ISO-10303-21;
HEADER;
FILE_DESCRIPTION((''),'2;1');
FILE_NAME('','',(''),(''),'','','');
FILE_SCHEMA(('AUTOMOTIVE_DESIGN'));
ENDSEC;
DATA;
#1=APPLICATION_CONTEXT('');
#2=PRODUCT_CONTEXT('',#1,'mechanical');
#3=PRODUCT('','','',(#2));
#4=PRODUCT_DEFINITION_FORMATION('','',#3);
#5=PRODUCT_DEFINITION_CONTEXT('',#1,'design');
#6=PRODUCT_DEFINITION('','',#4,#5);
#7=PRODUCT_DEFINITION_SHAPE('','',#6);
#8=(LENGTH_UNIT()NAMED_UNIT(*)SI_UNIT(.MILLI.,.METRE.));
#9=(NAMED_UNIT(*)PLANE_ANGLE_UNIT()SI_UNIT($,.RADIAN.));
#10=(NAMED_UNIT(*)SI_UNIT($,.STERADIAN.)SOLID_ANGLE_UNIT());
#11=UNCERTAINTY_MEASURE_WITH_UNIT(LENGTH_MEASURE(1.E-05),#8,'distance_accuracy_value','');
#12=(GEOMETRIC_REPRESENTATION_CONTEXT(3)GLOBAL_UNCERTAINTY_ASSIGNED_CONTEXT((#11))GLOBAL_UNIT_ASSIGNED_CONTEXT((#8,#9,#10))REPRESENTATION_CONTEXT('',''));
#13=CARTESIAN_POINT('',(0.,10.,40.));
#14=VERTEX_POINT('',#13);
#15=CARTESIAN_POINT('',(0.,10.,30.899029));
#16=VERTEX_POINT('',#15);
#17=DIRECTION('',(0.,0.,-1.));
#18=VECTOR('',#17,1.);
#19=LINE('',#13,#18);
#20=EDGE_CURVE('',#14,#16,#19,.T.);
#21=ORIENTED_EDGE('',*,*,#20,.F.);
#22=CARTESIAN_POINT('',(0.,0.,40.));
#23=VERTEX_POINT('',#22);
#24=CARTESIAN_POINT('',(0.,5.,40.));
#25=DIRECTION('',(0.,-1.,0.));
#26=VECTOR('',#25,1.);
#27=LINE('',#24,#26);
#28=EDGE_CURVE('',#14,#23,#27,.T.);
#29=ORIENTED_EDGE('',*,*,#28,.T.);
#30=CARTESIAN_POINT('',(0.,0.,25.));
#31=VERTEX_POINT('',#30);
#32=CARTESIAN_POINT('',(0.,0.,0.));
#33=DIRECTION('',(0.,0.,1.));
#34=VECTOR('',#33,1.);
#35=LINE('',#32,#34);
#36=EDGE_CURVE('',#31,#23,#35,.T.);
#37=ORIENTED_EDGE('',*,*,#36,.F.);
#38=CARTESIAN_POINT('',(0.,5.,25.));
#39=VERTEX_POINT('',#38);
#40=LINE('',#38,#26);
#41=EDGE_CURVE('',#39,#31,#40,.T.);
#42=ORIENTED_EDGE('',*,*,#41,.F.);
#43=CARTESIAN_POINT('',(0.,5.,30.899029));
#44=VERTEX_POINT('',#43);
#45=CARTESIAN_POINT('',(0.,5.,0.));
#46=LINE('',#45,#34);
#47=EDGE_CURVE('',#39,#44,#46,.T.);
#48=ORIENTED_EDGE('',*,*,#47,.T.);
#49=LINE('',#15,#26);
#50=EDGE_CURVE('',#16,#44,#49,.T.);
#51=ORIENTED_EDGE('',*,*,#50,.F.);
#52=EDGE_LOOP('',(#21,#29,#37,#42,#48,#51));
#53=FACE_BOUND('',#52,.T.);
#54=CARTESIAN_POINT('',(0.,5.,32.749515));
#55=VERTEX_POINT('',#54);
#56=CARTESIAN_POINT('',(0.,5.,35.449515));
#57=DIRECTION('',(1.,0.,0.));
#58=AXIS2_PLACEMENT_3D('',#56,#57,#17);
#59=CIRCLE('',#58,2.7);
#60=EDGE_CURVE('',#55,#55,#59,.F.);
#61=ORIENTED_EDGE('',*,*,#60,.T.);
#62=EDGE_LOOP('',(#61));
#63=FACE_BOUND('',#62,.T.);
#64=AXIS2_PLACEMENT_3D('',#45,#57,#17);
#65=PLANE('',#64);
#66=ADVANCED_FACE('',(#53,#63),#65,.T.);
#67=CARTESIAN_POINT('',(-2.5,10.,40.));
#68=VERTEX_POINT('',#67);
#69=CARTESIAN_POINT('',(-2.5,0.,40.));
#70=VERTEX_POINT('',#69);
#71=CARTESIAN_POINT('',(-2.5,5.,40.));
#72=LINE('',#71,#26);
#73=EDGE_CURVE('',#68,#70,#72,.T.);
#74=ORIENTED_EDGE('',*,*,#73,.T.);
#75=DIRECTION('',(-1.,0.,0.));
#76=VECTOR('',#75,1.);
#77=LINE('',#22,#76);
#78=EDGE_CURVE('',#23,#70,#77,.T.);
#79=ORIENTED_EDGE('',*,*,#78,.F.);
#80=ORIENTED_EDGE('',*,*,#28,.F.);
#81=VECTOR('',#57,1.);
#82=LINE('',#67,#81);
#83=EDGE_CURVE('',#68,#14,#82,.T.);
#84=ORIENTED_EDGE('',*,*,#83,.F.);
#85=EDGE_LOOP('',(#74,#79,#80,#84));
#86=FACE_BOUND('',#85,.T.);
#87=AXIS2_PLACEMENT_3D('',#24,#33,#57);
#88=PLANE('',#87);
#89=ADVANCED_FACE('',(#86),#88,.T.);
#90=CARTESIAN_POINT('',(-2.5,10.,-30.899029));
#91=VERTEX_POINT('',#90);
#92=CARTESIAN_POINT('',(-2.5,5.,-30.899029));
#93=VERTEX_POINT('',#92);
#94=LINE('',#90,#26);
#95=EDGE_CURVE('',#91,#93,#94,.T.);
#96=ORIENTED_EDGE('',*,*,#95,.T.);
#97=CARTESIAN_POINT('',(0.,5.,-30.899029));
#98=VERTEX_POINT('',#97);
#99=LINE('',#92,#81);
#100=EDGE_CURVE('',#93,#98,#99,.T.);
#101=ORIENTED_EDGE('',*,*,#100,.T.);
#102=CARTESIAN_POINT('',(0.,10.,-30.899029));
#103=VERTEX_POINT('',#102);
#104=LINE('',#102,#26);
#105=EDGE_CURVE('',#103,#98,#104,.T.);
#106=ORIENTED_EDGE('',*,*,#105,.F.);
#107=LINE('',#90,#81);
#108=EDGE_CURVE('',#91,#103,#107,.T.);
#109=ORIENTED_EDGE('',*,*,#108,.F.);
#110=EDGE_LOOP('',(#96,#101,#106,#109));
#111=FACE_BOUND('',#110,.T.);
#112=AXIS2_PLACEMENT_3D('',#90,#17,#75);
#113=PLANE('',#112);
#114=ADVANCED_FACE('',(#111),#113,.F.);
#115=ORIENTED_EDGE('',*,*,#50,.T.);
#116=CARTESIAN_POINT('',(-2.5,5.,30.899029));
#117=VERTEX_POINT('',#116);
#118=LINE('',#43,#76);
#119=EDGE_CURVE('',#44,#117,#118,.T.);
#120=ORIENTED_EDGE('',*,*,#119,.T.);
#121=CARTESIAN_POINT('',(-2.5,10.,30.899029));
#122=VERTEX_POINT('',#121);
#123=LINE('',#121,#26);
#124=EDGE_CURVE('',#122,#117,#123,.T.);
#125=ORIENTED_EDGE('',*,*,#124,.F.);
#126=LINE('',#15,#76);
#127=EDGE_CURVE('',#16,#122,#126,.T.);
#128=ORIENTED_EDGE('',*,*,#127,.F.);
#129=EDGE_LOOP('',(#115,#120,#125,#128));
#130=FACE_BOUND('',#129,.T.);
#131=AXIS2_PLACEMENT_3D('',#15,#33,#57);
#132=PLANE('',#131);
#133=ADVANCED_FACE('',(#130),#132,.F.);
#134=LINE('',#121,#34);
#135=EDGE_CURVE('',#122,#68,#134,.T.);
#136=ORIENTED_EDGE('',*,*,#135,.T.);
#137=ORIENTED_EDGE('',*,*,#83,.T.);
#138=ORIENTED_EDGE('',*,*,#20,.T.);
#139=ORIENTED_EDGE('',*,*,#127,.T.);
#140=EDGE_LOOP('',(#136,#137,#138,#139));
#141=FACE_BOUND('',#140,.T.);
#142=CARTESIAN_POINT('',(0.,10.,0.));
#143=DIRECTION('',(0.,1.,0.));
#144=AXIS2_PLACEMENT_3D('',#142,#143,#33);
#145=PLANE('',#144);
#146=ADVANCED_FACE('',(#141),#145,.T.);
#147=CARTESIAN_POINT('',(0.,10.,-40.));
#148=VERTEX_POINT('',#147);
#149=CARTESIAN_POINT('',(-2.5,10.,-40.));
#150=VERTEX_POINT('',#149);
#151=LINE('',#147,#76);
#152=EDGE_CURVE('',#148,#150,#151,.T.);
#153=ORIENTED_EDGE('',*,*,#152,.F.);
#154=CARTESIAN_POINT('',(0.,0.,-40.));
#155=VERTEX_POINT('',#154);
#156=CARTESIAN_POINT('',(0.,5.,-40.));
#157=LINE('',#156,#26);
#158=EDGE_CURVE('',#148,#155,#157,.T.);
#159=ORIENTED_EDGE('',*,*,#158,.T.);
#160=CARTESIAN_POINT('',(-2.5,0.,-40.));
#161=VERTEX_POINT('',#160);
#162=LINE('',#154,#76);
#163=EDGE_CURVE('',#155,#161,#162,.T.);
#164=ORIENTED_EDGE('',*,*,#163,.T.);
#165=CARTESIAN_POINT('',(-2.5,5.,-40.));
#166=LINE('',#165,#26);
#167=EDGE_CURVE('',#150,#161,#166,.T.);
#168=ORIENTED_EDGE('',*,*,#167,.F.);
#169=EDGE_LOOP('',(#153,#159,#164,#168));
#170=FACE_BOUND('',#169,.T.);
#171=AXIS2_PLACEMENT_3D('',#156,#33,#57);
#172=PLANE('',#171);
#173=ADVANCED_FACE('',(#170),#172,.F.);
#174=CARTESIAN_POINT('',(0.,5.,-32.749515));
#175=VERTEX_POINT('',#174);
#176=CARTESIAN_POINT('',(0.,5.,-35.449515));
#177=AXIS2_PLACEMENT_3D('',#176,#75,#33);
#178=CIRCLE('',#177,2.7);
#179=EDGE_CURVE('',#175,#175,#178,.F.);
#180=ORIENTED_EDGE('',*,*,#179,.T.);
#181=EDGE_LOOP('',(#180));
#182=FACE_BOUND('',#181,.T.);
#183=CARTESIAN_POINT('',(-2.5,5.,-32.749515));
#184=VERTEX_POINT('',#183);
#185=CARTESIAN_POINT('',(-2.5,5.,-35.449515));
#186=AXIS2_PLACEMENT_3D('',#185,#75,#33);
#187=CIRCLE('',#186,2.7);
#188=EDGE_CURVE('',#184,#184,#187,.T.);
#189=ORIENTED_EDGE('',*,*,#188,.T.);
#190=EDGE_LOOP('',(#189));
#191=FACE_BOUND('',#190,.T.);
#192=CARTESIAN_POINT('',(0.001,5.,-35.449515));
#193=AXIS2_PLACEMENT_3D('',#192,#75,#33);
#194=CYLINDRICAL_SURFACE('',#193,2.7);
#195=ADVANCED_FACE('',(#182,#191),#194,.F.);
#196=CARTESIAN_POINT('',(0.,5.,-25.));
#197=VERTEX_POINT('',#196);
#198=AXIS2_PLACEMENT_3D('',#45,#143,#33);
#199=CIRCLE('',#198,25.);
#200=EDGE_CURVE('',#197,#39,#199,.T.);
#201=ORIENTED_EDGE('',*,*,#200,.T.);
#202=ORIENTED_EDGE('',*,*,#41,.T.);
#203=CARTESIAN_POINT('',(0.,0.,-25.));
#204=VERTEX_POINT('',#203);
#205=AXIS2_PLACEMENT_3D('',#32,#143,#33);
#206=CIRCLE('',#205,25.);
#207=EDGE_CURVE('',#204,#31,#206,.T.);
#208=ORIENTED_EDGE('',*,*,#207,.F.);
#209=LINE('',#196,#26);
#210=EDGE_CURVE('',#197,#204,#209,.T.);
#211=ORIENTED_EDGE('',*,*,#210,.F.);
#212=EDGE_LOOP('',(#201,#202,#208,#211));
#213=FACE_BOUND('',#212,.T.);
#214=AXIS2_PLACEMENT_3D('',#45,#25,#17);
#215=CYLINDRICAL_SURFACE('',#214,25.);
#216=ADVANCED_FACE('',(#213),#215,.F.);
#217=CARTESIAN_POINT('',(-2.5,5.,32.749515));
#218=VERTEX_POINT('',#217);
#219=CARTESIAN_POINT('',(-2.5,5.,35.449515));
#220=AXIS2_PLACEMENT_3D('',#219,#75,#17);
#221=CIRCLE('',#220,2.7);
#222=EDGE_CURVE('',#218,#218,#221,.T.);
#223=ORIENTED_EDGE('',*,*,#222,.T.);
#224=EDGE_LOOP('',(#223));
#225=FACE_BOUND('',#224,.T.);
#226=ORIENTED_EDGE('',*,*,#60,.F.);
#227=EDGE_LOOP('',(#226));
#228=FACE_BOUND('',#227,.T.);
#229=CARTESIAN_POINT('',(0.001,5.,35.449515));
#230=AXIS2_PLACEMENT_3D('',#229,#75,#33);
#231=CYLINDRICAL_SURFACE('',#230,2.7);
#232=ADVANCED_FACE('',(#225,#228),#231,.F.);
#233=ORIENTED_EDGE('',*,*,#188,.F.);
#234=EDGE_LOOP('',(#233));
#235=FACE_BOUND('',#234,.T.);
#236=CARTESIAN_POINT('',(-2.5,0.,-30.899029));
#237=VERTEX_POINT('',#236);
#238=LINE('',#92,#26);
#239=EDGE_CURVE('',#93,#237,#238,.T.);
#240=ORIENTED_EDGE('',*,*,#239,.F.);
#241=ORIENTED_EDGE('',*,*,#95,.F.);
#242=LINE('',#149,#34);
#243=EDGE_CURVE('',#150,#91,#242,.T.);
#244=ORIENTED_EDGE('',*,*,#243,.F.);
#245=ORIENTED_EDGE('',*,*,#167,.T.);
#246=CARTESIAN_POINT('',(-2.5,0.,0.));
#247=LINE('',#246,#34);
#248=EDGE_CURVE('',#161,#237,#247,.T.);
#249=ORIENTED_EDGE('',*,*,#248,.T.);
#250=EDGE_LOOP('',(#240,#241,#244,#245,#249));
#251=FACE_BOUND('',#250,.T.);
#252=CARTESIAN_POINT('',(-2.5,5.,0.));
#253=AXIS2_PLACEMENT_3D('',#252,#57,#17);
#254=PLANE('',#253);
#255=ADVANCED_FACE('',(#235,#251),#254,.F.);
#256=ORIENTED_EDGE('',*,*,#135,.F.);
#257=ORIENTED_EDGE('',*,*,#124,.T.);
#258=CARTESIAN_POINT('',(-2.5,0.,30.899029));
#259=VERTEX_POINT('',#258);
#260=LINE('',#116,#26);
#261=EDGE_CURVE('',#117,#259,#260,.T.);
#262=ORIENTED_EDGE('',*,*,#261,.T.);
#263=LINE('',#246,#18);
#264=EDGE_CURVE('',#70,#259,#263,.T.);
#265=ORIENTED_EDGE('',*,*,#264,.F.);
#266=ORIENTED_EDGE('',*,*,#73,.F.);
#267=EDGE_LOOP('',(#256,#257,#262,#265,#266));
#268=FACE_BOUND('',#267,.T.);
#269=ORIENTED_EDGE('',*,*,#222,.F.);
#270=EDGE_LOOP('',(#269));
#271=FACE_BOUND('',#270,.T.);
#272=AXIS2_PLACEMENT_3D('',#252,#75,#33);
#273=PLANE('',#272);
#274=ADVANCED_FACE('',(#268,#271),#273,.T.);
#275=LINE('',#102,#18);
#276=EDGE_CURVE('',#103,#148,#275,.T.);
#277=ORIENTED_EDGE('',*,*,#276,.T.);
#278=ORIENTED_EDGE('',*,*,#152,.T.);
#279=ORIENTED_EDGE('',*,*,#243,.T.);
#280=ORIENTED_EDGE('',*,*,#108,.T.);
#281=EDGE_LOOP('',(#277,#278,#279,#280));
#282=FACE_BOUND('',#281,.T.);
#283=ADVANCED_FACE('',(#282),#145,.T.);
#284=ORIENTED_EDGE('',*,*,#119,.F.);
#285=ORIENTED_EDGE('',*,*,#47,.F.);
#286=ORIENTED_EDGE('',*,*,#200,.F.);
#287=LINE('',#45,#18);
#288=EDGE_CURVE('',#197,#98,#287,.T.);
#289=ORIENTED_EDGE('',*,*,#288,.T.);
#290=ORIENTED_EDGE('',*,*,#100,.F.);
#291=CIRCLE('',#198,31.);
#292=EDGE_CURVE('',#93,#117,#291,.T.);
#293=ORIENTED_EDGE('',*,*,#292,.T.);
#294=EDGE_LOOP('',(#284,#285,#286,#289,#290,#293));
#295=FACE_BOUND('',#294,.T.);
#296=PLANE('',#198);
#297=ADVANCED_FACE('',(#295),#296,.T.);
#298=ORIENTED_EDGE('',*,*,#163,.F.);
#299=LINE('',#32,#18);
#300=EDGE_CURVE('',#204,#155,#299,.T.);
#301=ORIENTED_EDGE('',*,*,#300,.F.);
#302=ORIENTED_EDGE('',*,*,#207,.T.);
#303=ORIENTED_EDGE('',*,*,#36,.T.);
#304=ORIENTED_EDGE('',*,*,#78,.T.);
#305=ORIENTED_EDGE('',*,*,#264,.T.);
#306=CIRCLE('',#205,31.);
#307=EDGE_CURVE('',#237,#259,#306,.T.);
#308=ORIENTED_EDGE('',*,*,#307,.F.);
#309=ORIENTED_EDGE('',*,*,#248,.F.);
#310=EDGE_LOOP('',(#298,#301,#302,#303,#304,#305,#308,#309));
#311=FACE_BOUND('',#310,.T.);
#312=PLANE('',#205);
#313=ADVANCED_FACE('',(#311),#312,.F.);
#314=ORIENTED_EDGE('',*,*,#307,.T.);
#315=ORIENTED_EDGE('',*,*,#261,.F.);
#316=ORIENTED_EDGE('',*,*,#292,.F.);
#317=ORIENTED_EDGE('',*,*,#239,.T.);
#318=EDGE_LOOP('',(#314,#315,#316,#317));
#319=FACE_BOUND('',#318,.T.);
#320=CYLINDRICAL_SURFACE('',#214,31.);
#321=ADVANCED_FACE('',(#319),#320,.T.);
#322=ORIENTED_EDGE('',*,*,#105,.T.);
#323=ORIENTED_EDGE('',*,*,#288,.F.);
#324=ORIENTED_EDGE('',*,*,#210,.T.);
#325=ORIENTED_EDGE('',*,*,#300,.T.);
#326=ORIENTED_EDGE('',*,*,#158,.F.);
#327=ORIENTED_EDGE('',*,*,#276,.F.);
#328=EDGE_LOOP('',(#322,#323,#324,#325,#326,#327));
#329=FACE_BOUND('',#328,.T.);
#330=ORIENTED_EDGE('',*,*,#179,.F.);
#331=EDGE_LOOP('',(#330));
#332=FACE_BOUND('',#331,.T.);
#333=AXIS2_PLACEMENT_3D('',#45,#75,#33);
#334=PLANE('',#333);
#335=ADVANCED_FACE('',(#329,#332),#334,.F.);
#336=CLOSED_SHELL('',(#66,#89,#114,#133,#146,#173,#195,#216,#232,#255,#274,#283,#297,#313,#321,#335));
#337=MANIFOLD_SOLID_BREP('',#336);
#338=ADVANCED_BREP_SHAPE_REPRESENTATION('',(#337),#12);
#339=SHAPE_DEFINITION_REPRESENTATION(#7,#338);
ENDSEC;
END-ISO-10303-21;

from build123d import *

# Parameters (mm, degrees)
BOSS_EXTRUDE1_DEPTH = 5
SKETCH2_W           = 2.5
SKETCH2_H           = 9.100970889
BOSS_EXTRUDE2_DEPTH = 5
CUT_EXTRUDE1_REACH  = 4.5
SKETCH3_R           = 2.7


with BuildPart() as part:
    # Sketch1 → Boss-Extrude1 (new body)
    with BuildSketch(Plane(origin=(0, 0, 0), x_dir=(1, 0, 0), z_dir=(0, 1, 0))):
        with BuildLine():
            Line((-2.5, -30.899029111), (-2.5, -24.874685928))
            ThreePointArc((-2.5, -24.874685928), (-25, 0), (-2.5, 24.874685928))
            Line((-2.5, 24.874685928), (-2.5, 30.899029111))
            ThreePointArc((-2.5, 30.899029111), (-31, 0), (-2.5, -30.899029111))
        make_face()
        with BuildLine():
            Line((0, -31), (0, -25))
            ThreePointArc((0, -25), (-1.251569376, -24.968651828), (-2.5, -24.874685928))
            Line((-2.5, -24.874685928), (-2.5, -30.899029111))
            ThreePointArc((-2.5, -30.899029111), (-1.251019097, -30.974746992), (0, -31))
        make_face()
        with BuildLine():
            Line((0, -40), (0, -31))
            ThreePointArc((0, -31), (-1.251019097, -30.974746992), (-2.5, -30.899029111))
            Line((-2.5, -30.899029111), (-2.5, -40))
            Line((-2.5, -40), (0, -40))
        make_face()
        with BuildLine():
            Line((-2.5, 30.899029111), (-2.5, 24.874685928))
            ThreePointArc((-2.5, 24.874685928), (-1.251569376, 24.968651828), (0, 25))
            Line((0, 25), (0, 31))
            ThreePointArc((0, 31), (-1.251019097, 30.974746992), (-2.5, 30.899029111))
        make_face()
        with BuildLine():
            Line((-2.5, 40), (-2.5, 30.899029111))
            ThreePointArc((-2.5, 30.899029111), (-1.251019097, 30.974746992), (0, 31))
            Line((0, 31), (0, 40))
            Line((0, 40), (-2.5, 40))
        make_face()
    extrude(amount=BOSS_EXTRUDE1_DEPTH)

    # Sketch2 → Boss-Extrude2 (add)
    with BuildSketch(Plane(origin=(0, 5, 0), x_dir=(1, 0, 0), z_dir=(0, 1, 0))):
        with Locations((-1.25, 35.449514556)):
            Rectangle(SKETCH2_W, SKETCH2_H)
        with Locations((-1.25, -35.449514556)):
            Rectangle(SKETCH2_W, SKETCH2_H)
    extrude(amount=BOSS_EXTRUDE2_DEPTH)

    # Sketch3 → Cut-Extrude1 (cut, up to next)
    with BuildSketch(Plane.ZY.offset(2.5), mode=Mode.PRIVATE) as cut_extrude1_sk1:
        with Locations((-35.449514555, 5)):
            Circle(SKETCH3_R)
    cut_extrude1_tool1 = extrude(cut_extrude1_sk1.sketch, amount=-CUT_EXTRUDE1_REACH, mode=Mode.PRIVATE) & part.part
    add(cut_extrude1_tool1.solids().sort_by_distance((-2.5, 5, -35.449515))[0], mode=Mode.SUBTRACT)
    # Sketch3 → Cut-Extrude1 (cut, up to next)
    with BuildSketch(Plane.ZY.offset(2.5), mode=Mode.PRIVATE) as cut_extrude1_sk2:
        with Locations((35.449514555, 5)):
            Circle(SKETCH3_R)
    cut_extrude1_tool2 = extrude(cut_extrude1_sk2.sketch, amount=-CUT_EXTRUDE1_REACH, mode=Mode.PRIVATE) & part.part
    add(cut_extrude1_tool2.solids().sort_by_distance((-2.5, 5, 35.449515))[0], mode=Mode.SUBTRACT)


solid = part.part
